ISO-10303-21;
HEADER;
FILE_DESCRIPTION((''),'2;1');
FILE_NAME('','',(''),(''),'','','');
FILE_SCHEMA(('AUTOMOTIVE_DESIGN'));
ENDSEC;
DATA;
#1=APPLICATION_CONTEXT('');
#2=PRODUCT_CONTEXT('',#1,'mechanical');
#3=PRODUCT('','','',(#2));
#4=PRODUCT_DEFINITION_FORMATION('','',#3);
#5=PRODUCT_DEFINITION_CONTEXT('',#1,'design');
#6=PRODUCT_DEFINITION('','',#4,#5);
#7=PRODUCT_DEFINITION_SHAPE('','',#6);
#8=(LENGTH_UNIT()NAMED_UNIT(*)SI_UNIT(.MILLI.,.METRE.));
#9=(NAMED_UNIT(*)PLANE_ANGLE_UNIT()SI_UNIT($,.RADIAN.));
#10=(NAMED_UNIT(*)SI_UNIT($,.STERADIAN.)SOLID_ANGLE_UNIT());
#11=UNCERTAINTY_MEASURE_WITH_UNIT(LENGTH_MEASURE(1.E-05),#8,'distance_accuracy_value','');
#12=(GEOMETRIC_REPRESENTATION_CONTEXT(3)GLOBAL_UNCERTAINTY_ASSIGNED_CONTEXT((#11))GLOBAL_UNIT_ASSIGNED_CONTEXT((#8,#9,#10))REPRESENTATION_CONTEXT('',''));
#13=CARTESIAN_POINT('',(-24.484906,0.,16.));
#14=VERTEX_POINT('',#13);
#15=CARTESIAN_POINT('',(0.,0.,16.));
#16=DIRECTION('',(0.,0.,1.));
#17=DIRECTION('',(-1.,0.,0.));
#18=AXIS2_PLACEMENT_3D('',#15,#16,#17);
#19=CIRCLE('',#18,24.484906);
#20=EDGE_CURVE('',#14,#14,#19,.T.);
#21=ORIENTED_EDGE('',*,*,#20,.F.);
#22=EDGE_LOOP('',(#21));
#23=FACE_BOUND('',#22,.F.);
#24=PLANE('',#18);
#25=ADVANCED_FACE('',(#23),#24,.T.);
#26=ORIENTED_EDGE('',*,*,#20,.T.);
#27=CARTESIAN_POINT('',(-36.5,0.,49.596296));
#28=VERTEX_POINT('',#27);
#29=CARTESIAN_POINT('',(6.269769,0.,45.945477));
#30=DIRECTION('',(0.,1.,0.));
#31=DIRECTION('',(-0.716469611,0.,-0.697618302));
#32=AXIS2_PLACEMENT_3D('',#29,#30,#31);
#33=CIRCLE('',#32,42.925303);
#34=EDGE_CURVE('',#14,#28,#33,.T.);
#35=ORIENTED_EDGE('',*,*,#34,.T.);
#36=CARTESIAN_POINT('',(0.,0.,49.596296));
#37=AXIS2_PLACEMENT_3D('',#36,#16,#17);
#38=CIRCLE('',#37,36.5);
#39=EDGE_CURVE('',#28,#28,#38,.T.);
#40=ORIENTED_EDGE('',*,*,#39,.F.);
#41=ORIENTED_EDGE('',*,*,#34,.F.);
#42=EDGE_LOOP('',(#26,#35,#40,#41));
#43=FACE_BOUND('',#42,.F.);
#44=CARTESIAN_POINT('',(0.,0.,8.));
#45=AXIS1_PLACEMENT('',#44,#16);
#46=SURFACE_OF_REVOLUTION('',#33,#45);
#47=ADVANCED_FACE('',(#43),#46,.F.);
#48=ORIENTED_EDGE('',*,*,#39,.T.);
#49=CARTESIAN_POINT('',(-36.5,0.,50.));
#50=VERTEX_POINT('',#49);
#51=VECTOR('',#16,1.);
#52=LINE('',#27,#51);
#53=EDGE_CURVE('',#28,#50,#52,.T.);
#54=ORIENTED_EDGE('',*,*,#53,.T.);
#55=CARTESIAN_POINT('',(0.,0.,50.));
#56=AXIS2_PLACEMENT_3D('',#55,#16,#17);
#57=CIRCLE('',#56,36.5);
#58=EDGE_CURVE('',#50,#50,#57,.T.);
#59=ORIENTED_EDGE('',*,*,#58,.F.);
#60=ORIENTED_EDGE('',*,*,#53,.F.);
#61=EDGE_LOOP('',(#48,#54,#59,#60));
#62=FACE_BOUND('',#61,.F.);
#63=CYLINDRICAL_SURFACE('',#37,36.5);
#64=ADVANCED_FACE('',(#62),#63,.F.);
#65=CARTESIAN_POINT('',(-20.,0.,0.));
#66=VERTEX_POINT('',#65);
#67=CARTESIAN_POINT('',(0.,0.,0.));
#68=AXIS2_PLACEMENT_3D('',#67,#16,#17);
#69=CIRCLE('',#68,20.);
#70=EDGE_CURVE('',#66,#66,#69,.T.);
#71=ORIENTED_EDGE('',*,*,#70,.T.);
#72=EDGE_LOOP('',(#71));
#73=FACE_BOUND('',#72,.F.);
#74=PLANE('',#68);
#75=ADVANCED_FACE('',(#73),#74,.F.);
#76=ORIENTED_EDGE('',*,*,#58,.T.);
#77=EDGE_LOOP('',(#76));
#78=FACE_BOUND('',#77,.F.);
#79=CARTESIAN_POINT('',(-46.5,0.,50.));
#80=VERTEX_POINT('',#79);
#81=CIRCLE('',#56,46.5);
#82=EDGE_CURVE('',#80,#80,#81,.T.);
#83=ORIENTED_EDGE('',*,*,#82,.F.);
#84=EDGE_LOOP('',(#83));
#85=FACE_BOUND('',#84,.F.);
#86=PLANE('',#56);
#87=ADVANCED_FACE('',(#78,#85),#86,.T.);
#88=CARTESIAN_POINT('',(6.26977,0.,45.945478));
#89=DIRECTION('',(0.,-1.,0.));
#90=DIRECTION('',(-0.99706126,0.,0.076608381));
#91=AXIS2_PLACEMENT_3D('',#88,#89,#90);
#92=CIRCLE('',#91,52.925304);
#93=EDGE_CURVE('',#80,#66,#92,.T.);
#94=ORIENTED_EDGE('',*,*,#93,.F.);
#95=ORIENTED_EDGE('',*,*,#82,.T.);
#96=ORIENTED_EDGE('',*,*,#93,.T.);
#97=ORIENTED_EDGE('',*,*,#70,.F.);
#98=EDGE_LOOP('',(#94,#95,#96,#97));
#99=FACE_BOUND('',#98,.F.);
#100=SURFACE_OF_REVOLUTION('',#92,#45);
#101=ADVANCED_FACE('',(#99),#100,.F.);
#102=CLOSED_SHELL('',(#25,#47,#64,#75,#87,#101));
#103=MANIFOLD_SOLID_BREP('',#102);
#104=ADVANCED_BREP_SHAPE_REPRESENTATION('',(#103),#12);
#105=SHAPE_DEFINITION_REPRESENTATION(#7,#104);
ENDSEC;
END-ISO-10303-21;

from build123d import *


with BuildPart() as f1:
    # F0 (on Front) → F1 (revolve)
    with BuildSketch(Plane.XZ):
        with BuildLine():
            Line((-20, 0), (0, 0))
            Line((0, 0), (0, 16))
            Line((0, 16), (-24.484906, 16))
            ThreePointArc((-24.484906, 16), (-34.148528, 31.49062), (-36.5, 49.596296))
            Line((-36.5, 49.596296), (-36.5, 50))
            Line((-36.5, 50), (-46.5, 50))
            ThreePointArc((-46.5, 50), (-40.493594, 21.160895), (-20, 0))
        make_face()
    revolve(axis=Axis((0, 0, 8), (0, 0, 1)))


solid = f1.part
